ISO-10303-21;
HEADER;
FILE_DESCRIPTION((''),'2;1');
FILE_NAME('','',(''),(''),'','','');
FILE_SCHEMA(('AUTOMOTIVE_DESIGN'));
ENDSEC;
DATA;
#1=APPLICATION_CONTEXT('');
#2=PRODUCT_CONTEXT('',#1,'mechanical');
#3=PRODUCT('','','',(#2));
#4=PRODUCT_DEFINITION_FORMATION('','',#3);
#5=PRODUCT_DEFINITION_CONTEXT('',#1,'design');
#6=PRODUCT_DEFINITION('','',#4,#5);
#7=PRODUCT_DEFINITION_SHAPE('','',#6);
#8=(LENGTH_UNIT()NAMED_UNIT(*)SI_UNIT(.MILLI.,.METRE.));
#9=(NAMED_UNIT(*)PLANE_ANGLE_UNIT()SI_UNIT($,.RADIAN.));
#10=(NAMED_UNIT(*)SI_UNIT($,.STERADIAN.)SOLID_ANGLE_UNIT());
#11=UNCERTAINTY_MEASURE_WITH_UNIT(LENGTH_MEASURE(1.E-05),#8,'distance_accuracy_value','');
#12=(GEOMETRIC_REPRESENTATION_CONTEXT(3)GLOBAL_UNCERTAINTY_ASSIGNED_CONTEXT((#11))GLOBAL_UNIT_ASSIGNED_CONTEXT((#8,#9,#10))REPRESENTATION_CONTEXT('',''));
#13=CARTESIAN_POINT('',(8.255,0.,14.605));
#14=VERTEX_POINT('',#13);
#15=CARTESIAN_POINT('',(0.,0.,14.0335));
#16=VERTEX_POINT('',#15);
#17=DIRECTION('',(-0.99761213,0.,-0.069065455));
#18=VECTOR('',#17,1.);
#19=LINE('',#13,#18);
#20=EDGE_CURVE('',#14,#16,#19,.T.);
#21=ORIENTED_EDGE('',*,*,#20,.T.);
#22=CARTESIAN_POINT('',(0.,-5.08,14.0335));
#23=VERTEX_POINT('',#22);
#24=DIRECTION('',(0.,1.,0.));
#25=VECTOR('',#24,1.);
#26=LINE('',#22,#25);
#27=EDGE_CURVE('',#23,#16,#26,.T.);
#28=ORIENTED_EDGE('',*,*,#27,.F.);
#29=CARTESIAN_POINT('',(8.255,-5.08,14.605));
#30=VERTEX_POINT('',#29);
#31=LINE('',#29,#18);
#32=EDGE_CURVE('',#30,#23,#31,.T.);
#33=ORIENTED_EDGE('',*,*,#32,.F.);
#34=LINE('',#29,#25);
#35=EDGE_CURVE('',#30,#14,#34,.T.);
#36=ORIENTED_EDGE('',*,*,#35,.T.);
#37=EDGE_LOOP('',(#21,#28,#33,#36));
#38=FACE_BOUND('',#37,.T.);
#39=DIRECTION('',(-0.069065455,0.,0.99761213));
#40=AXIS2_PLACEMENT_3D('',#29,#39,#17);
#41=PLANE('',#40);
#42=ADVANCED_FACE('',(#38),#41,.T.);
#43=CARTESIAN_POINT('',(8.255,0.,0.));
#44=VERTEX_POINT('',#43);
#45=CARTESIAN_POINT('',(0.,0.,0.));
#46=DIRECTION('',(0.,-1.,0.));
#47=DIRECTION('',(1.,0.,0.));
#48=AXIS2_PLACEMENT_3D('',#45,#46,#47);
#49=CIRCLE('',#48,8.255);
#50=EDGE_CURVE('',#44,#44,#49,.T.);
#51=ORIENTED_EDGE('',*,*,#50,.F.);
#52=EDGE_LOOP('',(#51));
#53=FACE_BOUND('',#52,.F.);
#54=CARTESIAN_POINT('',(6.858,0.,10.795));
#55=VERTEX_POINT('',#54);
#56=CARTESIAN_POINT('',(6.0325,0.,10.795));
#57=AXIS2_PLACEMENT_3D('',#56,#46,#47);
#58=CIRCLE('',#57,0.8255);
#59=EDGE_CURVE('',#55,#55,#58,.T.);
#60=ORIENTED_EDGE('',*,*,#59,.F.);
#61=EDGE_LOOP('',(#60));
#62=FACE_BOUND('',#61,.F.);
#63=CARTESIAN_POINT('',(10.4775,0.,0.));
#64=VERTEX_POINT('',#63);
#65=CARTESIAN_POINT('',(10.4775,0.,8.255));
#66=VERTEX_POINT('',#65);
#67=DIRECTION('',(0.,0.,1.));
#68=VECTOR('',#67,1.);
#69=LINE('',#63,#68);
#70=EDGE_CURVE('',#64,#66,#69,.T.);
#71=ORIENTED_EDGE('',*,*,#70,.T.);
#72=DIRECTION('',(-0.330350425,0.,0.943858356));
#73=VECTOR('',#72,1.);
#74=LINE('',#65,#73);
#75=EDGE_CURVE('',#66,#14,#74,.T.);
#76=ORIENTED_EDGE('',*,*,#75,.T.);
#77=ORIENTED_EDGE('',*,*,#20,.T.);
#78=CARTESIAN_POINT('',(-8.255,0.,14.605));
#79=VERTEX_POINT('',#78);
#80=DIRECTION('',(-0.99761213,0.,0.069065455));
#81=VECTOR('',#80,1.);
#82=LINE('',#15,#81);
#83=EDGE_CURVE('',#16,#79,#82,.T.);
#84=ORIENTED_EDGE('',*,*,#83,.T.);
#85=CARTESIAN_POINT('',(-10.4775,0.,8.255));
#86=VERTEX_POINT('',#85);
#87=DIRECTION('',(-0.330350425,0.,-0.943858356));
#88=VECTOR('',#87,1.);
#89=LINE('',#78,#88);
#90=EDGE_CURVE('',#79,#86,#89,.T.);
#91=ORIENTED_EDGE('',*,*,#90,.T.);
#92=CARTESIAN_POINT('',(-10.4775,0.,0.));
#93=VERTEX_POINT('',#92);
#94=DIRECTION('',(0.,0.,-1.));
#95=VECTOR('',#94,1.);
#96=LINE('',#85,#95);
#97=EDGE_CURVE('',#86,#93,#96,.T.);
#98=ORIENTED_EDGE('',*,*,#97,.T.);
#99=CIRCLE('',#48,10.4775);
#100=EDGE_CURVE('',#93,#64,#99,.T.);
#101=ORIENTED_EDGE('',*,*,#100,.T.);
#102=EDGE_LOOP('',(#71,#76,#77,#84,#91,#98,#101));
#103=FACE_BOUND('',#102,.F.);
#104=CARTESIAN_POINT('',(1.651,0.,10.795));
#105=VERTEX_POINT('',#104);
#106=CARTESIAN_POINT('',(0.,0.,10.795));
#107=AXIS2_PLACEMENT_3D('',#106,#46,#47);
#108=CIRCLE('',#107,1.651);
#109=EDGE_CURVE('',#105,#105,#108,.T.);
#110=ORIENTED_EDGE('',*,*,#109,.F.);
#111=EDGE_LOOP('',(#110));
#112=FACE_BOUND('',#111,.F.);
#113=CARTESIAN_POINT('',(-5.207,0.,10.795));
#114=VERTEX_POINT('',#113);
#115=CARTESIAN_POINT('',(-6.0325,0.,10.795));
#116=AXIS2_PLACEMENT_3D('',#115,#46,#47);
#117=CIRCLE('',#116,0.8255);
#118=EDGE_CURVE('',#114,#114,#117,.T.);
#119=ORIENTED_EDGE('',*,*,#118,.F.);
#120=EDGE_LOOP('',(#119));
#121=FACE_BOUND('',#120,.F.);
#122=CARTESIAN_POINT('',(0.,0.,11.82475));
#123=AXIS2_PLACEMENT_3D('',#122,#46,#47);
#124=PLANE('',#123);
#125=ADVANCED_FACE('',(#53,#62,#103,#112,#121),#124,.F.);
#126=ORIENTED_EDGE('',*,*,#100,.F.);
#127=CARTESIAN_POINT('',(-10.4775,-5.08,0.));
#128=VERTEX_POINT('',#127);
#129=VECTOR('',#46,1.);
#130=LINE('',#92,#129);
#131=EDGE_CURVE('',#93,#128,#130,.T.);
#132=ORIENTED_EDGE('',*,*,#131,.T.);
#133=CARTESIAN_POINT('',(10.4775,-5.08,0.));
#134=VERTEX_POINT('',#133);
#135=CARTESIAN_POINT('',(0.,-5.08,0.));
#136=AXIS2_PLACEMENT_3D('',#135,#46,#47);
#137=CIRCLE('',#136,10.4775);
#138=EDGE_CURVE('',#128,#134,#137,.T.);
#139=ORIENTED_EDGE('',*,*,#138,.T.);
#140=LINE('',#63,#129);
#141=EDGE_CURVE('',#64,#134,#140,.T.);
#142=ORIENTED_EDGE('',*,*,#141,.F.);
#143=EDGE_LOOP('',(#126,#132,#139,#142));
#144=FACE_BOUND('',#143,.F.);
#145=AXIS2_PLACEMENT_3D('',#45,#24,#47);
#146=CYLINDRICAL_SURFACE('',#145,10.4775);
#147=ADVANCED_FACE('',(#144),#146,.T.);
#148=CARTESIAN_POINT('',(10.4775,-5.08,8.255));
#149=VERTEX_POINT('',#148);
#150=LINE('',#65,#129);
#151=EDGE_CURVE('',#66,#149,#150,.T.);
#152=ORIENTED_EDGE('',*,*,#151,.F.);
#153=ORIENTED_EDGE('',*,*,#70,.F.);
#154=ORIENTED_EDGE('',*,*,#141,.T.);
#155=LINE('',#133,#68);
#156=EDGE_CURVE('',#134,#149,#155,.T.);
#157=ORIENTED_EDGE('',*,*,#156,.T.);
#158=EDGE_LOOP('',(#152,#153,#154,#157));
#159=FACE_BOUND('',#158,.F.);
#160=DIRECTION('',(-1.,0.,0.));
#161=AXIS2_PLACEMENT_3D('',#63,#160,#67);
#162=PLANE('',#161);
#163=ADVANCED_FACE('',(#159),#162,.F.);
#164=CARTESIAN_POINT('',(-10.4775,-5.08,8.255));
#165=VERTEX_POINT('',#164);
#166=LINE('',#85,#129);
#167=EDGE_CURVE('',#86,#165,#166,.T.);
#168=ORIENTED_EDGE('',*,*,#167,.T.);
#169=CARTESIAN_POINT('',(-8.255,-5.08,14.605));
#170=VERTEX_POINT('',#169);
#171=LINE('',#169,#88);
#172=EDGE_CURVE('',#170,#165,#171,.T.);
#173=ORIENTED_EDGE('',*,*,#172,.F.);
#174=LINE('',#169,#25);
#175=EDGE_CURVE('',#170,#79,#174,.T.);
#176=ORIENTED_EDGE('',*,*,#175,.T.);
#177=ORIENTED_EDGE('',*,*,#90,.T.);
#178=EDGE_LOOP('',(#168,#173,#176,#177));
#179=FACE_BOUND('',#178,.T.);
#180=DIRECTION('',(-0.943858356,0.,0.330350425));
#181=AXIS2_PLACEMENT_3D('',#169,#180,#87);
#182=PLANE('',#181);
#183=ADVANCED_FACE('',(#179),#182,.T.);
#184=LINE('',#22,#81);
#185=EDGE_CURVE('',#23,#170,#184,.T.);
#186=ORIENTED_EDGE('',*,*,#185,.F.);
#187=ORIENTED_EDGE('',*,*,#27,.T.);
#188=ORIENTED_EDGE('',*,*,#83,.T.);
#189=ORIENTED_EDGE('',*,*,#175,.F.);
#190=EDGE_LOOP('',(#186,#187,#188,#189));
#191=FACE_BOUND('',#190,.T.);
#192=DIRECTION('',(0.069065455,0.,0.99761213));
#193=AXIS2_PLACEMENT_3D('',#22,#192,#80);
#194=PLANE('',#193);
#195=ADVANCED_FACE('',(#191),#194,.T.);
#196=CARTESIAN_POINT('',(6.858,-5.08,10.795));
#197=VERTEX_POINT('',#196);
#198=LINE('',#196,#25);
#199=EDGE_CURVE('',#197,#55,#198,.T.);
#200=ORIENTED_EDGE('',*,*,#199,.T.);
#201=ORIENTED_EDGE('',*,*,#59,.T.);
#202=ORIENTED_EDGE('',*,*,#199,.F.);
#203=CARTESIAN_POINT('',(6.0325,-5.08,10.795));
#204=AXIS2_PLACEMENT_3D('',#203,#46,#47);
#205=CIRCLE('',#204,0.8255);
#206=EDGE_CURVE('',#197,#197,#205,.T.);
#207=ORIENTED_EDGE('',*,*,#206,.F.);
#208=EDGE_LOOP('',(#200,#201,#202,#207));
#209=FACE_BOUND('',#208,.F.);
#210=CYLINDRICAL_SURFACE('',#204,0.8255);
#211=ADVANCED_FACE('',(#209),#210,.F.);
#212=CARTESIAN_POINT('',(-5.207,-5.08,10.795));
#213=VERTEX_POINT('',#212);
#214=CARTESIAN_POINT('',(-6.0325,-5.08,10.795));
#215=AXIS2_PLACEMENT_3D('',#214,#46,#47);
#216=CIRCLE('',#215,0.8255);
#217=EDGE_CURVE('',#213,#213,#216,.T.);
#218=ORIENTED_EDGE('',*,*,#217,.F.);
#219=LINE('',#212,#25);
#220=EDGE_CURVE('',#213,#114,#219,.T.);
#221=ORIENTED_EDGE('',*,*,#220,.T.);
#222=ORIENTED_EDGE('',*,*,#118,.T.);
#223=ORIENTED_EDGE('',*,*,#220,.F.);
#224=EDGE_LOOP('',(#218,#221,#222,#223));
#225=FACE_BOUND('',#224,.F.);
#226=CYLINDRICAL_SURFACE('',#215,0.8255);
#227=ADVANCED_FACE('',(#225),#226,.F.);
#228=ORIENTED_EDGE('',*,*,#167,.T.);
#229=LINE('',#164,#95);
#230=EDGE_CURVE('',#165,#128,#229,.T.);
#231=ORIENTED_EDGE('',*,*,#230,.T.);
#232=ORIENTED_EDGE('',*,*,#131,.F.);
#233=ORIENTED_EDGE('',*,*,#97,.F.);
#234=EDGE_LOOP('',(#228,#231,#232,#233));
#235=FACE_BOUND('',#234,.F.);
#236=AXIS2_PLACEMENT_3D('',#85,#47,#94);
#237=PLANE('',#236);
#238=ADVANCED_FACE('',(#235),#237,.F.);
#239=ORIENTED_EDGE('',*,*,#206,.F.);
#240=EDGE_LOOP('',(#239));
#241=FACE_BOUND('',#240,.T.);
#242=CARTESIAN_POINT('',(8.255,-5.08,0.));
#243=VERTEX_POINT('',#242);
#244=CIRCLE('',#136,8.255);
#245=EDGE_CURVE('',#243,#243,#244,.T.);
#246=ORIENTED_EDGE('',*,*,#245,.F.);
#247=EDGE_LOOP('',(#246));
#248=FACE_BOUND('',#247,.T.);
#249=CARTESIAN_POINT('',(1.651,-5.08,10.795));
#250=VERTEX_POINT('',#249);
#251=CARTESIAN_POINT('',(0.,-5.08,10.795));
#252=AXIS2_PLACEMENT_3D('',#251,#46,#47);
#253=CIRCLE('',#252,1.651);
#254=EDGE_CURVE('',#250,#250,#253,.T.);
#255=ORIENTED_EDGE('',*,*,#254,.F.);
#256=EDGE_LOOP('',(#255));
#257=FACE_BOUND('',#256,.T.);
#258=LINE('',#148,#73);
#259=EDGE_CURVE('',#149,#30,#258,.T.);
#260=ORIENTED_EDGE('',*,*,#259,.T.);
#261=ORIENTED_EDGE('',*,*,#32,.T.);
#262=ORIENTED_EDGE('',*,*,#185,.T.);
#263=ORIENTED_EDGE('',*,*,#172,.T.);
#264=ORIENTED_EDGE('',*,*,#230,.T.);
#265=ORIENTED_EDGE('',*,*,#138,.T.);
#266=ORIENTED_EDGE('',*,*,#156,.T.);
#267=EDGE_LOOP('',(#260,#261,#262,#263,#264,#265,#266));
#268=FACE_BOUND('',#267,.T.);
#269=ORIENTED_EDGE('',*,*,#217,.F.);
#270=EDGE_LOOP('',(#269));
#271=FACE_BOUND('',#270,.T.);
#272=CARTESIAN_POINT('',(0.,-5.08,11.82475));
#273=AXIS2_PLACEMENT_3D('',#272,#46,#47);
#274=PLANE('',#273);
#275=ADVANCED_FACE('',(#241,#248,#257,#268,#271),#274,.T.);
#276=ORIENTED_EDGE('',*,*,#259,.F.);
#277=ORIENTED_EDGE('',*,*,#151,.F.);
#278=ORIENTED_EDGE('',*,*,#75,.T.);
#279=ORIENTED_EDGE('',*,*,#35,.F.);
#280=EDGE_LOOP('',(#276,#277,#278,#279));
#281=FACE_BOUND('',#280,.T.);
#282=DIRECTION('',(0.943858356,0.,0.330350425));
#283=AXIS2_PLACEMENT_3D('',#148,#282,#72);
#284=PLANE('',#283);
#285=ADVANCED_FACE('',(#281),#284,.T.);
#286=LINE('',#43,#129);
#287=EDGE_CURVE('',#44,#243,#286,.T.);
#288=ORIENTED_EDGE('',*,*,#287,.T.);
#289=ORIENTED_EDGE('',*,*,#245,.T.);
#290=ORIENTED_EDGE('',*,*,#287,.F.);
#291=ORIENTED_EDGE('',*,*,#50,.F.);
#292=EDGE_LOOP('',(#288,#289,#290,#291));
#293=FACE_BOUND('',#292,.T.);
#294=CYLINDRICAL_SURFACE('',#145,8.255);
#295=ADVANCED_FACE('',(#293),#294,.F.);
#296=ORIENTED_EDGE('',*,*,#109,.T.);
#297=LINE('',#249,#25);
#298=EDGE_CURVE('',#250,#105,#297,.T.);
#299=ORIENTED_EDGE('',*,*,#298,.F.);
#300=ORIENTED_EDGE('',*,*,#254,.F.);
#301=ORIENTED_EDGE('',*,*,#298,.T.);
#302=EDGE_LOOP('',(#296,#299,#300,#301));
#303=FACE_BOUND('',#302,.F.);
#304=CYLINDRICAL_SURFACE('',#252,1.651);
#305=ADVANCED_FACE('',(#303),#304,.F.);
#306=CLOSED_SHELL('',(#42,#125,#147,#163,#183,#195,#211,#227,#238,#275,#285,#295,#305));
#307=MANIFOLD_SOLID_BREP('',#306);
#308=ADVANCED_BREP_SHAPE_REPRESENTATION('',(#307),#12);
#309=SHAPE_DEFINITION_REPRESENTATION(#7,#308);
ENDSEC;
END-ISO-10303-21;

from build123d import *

# Parameters (mm, degrees)
F0_R     = 8.255
F1_DEPTH = 5.08
F3_DEPTH = 5.08
F4_R     = 1.651
F4_R_2   = 0.8255
F5_DEPTH = 25.4


with BuildPart() as f1:
    # F0 (on Front) → F1 (new body)
    with BuildSketch(Plane.XZ):
        with BuildLine():
            ThreePointArc((-10.4775, 0), (0, 10.4775), (10.4775, 0))
            Line((10.4775, 0), (10.4775, 8.255))
            Line((10.4775, 8.255), (6.0325, 10.795))
            Line((6.0325, 10.795), (-6.0325, 10.795))
            Line((-6.0325, 10.795), (-10.4775, 8.255))
            Line((-10.4775, 8.255), (-10.4775, 0))
        make_face()
        with BuildLine():
            ThreePointArc((-10.4775, 0), (0, -10.4775), (10.4775, 0))
            ThreePointArc((10.4775, 0), (0, 10.4775), (-10.4775, 0))
        make_face()
        Circle(F0_R, mode=Mode.SUBTRACT)
    extrude(amount=F1_DEPTH)

    # F2 (on face) → F3 (join)
    with BuildSketch(Plane.XZ.offset(5.08)):
        Polygon((0, 14.0335), (-8.255, 14.605), (-10.4775, 8.255), (-6.0325, 10.795), (6.0325, 10.795), (10.4775, 8.255), (8.255, 14.605), align=None)
    extrude(amount=-F3_DEPTH)

    # F4 (on face) → F5 (cut)
    with BuildSketch(Plane.XZ.offset(5.08)):
        with Locations((0, 10.795)):
            Circle(F4_R)
        with Locations((6.0325, 10.795)):
            Circle(F4_R_2)
        with Locations((-6.0325, 10.795)):
            Circle(F4_R_2)
    extrude(amount=-F5_DEPTH, mode=Mode.SUBTRACT)


solid = f1.part
